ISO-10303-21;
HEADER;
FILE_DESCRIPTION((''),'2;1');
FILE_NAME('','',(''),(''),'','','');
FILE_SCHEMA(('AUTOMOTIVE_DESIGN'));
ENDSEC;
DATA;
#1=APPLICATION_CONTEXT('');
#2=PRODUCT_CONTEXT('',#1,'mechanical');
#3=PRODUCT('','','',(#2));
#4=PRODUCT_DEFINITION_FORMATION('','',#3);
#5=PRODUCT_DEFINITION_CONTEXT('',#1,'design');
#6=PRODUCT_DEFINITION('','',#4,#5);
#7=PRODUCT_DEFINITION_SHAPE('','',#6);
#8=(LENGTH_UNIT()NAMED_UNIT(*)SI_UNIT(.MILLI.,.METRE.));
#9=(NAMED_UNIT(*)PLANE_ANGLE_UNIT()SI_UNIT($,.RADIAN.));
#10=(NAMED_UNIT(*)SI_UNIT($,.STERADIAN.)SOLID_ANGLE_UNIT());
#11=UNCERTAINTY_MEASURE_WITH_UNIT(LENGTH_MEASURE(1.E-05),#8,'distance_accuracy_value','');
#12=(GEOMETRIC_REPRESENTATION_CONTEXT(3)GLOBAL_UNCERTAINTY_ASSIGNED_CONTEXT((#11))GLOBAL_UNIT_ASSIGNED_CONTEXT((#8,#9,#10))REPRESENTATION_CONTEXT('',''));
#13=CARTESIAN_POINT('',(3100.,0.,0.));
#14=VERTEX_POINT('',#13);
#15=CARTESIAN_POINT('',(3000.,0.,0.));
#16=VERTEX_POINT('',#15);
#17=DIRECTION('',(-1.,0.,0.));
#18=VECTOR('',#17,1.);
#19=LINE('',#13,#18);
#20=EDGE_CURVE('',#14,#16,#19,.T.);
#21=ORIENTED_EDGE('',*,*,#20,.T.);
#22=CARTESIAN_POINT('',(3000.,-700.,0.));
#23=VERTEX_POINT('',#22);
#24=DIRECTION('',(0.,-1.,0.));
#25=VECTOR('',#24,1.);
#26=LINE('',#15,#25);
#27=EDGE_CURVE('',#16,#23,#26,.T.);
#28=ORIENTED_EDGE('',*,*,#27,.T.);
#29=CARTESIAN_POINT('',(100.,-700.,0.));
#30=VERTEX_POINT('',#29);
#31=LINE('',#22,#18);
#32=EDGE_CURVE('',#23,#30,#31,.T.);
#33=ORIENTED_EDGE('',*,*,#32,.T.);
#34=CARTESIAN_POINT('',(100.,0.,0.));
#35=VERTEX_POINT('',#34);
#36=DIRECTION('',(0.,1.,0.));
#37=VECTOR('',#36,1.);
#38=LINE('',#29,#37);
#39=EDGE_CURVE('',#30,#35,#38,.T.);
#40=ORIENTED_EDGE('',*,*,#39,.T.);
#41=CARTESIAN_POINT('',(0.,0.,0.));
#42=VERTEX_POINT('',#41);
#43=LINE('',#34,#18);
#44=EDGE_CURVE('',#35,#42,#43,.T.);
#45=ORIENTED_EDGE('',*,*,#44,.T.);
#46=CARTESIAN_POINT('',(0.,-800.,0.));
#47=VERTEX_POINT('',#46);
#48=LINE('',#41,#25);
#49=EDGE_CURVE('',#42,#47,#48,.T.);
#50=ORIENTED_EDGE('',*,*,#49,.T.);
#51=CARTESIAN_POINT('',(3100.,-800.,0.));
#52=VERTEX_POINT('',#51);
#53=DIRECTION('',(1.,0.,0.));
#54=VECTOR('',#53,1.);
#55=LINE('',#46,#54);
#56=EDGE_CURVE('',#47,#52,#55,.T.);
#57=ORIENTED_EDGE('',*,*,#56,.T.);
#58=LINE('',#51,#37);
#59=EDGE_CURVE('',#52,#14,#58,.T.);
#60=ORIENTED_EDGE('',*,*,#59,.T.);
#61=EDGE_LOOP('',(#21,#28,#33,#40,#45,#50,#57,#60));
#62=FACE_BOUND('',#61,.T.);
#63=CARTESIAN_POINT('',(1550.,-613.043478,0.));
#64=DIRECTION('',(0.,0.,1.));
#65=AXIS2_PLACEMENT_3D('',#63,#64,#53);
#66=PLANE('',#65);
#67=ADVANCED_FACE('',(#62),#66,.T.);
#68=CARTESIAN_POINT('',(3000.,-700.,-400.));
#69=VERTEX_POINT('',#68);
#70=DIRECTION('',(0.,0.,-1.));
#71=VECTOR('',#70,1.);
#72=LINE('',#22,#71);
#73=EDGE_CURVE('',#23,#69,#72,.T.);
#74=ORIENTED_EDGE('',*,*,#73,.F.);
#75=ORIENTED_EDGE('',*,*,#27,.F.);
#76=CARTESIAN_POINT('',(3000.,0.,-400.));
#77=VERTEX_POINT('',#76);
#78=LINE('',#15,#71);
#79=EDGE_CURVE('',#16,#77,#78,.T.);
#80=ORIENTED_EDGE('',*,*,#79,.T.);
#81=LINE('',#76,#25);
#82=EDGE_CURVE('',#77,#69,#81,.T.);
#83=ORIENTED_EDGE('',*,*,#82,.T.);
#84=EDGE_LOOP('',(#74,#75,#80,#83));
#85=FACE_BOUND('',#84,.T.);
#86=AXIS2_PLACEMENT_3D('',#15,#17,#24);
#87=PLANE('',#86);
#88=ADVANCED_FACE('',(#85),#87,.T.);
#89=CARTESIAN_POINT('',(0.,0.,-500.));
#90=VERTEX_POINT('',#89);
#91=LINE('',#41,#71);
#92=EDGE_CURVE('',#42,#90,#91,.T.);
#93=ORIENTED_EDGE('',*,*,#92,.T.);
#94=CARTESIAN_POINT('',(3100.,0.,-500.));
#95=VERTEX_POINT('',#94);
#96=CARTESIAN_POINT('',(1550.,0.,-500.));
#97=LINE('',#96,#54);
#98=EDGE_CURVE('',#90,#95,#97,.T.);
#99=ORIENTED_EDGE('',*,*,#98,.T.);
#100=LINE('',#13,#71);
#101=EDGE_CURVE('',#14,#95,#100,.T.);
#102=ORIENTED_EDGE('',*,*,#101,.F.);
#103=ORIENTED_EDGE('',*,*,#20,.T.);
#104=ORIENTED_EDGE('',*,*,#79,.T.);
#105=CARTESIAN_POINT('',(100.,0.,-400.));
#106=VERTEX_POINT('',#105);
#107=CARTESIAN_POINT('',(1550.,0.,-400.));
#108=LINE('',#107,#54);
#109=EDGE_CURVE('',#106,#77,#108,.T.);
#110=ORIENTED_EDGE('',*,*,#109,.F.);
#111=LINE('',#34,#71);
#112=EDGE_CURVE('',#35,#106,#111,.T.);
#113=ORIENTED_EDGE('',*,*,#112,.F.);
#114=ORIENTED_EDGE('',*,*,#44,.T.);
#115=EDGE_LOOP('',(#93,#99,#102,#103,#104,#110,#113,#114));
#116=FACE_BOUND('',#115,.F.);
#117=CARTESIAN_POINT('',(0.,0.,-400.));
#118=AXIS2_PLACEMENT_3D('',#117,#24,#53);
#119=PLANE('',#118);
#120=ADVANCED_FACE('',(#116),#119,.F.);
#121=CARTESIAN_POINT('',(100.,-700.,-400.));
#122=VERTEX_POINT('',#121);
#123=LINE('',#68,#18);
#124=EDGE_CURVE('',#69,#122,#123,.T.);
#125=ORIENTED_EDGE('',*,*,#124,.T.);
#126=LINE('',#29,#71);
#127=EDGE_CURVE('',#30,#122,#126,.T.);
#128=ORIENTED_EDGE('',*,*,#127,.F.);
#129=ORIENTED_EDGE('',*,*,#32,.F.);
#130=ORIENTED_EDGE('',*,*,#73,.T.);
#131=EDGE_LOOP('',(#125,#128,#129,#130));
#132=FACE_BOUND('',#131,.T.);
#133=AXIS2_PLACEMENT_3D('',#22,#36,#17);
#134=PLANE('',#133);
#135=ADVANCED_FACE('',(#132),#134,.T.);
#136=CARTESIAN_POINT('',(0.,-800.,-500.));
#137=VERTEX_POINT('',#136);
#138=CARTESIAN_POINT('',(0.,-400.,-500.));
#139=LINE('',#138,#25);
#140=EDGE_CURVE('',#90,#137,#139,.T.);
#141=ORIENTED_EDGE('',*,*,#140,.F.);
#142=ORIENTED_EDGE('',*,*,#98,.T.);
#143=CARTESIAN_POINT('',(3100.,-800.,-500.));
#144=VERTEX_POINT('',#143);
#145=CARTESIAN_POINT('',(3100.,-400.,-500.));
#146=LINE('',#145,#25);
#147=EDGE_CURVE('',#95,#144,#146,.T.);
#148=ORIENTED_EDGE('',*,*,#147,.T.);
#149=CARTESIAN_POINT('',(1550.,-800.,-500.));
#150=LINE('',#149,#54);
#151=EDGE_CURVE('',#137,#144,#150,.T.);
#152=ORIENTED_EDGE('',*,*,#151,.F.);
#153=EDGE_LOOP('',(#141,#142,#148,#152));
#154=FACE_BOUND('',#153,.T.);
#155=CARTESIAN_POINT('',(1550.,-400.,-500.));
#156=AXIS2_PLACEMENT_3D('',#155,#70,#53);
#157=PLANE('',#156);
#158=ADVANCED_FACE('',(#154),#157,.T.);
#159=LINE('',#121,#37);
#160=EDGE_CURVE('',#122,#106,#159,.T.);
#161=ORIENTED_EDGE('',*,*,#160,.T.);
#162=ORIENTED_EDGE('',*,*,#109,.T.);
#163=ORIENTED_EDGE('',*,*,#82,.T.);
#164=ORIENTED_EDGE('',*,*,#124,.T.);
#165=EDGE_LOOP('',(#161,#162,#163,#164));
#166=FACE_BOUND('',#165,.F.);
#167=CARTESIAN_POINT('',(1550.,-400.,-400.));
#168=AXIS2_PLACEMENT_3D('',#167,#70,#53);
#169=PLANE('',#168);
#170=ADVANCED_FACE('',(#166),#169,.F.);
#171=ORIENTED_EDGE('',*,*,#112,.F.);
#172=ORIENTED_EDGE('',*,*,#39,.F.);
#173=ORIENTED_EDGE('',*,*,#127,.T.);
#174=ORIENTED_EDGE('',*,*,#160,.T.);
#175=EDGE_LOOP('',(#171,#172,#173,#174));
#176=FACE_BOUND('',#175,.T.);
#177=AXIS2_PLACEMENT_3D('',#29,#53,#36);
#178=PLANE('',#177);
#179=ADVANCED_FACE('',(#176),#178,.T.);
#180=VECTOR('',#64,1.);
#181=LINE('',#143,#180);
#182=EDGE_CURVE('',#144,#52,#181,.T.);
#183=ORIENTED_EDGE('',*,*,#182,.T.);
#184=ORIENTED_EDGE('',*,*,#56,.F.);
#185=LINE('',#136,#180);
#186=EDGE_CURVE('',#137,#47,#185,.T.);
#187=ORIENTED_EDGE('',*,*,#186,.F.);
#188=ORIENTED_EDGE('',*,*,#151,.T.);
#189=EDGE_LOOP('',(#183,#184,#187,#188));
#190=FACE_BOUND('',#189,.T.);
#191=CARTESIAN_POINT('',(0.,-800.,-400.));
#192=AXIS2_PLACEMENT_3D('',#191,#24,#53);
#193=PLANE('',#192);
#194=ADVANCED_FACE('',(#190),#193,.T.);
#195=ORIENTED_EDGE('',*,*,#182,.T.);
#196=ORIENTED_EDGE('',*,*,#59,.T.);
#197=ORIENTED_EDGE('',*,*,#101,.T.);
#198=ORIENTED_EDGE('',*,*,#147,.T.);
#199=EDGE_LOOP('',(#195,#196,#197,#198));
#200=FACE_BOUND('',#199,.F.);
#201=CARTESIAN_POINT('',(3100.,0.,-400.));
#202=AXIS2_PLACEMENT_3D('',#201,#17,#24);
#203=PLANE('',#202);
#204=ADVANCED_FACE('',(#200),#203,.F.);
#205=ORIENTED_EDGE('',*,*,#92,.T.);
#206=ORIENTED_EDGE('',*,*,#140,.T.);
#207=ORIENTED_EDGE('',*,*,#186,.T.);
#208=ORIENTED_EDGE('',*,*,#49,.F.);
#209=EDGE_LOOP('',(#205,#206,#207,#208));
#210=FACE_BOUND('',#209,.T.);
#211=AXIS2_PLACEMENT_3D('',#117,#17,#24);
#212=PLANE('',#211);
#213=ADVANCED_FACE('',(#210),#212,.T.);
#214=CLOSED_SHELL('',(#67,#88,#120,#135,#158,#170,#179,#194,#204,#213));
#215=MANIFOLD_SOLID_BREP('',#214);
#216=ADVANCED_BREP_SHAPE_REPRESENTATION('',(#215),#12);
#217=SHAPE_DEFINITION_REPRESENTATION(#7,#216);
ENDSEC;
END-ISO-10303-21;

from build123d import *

# Parameters (mm, degrees)
F1_DEPTH = 400
F2_W     = 3100
F2_H     = 800
F3_DEPTH = 100


with BuildPart() as f1:
    # F0 (on Top) → F1 (new body)
    with BuildSketch(Plane.XY):
        Polygon((100, 0), (0, 0), (0, -800), (3100, -800), (3100, 0), (3000, 0), (3000, -700), (100, -700), align=None)
    extrude(amount=-F1_DEPTH)

    # F2 (on face) → F3 (join)
    with BuildSketch(Plane(origin=(0, 0, -400), x_dir=(1, 0, 0), z_dir=(0, 0, -1))):
        with Locations((1550, 400)):
            Rectangle(F2_W, F2_H)
    extrude(amount=F3_DEPTH)


solid = f1.part
